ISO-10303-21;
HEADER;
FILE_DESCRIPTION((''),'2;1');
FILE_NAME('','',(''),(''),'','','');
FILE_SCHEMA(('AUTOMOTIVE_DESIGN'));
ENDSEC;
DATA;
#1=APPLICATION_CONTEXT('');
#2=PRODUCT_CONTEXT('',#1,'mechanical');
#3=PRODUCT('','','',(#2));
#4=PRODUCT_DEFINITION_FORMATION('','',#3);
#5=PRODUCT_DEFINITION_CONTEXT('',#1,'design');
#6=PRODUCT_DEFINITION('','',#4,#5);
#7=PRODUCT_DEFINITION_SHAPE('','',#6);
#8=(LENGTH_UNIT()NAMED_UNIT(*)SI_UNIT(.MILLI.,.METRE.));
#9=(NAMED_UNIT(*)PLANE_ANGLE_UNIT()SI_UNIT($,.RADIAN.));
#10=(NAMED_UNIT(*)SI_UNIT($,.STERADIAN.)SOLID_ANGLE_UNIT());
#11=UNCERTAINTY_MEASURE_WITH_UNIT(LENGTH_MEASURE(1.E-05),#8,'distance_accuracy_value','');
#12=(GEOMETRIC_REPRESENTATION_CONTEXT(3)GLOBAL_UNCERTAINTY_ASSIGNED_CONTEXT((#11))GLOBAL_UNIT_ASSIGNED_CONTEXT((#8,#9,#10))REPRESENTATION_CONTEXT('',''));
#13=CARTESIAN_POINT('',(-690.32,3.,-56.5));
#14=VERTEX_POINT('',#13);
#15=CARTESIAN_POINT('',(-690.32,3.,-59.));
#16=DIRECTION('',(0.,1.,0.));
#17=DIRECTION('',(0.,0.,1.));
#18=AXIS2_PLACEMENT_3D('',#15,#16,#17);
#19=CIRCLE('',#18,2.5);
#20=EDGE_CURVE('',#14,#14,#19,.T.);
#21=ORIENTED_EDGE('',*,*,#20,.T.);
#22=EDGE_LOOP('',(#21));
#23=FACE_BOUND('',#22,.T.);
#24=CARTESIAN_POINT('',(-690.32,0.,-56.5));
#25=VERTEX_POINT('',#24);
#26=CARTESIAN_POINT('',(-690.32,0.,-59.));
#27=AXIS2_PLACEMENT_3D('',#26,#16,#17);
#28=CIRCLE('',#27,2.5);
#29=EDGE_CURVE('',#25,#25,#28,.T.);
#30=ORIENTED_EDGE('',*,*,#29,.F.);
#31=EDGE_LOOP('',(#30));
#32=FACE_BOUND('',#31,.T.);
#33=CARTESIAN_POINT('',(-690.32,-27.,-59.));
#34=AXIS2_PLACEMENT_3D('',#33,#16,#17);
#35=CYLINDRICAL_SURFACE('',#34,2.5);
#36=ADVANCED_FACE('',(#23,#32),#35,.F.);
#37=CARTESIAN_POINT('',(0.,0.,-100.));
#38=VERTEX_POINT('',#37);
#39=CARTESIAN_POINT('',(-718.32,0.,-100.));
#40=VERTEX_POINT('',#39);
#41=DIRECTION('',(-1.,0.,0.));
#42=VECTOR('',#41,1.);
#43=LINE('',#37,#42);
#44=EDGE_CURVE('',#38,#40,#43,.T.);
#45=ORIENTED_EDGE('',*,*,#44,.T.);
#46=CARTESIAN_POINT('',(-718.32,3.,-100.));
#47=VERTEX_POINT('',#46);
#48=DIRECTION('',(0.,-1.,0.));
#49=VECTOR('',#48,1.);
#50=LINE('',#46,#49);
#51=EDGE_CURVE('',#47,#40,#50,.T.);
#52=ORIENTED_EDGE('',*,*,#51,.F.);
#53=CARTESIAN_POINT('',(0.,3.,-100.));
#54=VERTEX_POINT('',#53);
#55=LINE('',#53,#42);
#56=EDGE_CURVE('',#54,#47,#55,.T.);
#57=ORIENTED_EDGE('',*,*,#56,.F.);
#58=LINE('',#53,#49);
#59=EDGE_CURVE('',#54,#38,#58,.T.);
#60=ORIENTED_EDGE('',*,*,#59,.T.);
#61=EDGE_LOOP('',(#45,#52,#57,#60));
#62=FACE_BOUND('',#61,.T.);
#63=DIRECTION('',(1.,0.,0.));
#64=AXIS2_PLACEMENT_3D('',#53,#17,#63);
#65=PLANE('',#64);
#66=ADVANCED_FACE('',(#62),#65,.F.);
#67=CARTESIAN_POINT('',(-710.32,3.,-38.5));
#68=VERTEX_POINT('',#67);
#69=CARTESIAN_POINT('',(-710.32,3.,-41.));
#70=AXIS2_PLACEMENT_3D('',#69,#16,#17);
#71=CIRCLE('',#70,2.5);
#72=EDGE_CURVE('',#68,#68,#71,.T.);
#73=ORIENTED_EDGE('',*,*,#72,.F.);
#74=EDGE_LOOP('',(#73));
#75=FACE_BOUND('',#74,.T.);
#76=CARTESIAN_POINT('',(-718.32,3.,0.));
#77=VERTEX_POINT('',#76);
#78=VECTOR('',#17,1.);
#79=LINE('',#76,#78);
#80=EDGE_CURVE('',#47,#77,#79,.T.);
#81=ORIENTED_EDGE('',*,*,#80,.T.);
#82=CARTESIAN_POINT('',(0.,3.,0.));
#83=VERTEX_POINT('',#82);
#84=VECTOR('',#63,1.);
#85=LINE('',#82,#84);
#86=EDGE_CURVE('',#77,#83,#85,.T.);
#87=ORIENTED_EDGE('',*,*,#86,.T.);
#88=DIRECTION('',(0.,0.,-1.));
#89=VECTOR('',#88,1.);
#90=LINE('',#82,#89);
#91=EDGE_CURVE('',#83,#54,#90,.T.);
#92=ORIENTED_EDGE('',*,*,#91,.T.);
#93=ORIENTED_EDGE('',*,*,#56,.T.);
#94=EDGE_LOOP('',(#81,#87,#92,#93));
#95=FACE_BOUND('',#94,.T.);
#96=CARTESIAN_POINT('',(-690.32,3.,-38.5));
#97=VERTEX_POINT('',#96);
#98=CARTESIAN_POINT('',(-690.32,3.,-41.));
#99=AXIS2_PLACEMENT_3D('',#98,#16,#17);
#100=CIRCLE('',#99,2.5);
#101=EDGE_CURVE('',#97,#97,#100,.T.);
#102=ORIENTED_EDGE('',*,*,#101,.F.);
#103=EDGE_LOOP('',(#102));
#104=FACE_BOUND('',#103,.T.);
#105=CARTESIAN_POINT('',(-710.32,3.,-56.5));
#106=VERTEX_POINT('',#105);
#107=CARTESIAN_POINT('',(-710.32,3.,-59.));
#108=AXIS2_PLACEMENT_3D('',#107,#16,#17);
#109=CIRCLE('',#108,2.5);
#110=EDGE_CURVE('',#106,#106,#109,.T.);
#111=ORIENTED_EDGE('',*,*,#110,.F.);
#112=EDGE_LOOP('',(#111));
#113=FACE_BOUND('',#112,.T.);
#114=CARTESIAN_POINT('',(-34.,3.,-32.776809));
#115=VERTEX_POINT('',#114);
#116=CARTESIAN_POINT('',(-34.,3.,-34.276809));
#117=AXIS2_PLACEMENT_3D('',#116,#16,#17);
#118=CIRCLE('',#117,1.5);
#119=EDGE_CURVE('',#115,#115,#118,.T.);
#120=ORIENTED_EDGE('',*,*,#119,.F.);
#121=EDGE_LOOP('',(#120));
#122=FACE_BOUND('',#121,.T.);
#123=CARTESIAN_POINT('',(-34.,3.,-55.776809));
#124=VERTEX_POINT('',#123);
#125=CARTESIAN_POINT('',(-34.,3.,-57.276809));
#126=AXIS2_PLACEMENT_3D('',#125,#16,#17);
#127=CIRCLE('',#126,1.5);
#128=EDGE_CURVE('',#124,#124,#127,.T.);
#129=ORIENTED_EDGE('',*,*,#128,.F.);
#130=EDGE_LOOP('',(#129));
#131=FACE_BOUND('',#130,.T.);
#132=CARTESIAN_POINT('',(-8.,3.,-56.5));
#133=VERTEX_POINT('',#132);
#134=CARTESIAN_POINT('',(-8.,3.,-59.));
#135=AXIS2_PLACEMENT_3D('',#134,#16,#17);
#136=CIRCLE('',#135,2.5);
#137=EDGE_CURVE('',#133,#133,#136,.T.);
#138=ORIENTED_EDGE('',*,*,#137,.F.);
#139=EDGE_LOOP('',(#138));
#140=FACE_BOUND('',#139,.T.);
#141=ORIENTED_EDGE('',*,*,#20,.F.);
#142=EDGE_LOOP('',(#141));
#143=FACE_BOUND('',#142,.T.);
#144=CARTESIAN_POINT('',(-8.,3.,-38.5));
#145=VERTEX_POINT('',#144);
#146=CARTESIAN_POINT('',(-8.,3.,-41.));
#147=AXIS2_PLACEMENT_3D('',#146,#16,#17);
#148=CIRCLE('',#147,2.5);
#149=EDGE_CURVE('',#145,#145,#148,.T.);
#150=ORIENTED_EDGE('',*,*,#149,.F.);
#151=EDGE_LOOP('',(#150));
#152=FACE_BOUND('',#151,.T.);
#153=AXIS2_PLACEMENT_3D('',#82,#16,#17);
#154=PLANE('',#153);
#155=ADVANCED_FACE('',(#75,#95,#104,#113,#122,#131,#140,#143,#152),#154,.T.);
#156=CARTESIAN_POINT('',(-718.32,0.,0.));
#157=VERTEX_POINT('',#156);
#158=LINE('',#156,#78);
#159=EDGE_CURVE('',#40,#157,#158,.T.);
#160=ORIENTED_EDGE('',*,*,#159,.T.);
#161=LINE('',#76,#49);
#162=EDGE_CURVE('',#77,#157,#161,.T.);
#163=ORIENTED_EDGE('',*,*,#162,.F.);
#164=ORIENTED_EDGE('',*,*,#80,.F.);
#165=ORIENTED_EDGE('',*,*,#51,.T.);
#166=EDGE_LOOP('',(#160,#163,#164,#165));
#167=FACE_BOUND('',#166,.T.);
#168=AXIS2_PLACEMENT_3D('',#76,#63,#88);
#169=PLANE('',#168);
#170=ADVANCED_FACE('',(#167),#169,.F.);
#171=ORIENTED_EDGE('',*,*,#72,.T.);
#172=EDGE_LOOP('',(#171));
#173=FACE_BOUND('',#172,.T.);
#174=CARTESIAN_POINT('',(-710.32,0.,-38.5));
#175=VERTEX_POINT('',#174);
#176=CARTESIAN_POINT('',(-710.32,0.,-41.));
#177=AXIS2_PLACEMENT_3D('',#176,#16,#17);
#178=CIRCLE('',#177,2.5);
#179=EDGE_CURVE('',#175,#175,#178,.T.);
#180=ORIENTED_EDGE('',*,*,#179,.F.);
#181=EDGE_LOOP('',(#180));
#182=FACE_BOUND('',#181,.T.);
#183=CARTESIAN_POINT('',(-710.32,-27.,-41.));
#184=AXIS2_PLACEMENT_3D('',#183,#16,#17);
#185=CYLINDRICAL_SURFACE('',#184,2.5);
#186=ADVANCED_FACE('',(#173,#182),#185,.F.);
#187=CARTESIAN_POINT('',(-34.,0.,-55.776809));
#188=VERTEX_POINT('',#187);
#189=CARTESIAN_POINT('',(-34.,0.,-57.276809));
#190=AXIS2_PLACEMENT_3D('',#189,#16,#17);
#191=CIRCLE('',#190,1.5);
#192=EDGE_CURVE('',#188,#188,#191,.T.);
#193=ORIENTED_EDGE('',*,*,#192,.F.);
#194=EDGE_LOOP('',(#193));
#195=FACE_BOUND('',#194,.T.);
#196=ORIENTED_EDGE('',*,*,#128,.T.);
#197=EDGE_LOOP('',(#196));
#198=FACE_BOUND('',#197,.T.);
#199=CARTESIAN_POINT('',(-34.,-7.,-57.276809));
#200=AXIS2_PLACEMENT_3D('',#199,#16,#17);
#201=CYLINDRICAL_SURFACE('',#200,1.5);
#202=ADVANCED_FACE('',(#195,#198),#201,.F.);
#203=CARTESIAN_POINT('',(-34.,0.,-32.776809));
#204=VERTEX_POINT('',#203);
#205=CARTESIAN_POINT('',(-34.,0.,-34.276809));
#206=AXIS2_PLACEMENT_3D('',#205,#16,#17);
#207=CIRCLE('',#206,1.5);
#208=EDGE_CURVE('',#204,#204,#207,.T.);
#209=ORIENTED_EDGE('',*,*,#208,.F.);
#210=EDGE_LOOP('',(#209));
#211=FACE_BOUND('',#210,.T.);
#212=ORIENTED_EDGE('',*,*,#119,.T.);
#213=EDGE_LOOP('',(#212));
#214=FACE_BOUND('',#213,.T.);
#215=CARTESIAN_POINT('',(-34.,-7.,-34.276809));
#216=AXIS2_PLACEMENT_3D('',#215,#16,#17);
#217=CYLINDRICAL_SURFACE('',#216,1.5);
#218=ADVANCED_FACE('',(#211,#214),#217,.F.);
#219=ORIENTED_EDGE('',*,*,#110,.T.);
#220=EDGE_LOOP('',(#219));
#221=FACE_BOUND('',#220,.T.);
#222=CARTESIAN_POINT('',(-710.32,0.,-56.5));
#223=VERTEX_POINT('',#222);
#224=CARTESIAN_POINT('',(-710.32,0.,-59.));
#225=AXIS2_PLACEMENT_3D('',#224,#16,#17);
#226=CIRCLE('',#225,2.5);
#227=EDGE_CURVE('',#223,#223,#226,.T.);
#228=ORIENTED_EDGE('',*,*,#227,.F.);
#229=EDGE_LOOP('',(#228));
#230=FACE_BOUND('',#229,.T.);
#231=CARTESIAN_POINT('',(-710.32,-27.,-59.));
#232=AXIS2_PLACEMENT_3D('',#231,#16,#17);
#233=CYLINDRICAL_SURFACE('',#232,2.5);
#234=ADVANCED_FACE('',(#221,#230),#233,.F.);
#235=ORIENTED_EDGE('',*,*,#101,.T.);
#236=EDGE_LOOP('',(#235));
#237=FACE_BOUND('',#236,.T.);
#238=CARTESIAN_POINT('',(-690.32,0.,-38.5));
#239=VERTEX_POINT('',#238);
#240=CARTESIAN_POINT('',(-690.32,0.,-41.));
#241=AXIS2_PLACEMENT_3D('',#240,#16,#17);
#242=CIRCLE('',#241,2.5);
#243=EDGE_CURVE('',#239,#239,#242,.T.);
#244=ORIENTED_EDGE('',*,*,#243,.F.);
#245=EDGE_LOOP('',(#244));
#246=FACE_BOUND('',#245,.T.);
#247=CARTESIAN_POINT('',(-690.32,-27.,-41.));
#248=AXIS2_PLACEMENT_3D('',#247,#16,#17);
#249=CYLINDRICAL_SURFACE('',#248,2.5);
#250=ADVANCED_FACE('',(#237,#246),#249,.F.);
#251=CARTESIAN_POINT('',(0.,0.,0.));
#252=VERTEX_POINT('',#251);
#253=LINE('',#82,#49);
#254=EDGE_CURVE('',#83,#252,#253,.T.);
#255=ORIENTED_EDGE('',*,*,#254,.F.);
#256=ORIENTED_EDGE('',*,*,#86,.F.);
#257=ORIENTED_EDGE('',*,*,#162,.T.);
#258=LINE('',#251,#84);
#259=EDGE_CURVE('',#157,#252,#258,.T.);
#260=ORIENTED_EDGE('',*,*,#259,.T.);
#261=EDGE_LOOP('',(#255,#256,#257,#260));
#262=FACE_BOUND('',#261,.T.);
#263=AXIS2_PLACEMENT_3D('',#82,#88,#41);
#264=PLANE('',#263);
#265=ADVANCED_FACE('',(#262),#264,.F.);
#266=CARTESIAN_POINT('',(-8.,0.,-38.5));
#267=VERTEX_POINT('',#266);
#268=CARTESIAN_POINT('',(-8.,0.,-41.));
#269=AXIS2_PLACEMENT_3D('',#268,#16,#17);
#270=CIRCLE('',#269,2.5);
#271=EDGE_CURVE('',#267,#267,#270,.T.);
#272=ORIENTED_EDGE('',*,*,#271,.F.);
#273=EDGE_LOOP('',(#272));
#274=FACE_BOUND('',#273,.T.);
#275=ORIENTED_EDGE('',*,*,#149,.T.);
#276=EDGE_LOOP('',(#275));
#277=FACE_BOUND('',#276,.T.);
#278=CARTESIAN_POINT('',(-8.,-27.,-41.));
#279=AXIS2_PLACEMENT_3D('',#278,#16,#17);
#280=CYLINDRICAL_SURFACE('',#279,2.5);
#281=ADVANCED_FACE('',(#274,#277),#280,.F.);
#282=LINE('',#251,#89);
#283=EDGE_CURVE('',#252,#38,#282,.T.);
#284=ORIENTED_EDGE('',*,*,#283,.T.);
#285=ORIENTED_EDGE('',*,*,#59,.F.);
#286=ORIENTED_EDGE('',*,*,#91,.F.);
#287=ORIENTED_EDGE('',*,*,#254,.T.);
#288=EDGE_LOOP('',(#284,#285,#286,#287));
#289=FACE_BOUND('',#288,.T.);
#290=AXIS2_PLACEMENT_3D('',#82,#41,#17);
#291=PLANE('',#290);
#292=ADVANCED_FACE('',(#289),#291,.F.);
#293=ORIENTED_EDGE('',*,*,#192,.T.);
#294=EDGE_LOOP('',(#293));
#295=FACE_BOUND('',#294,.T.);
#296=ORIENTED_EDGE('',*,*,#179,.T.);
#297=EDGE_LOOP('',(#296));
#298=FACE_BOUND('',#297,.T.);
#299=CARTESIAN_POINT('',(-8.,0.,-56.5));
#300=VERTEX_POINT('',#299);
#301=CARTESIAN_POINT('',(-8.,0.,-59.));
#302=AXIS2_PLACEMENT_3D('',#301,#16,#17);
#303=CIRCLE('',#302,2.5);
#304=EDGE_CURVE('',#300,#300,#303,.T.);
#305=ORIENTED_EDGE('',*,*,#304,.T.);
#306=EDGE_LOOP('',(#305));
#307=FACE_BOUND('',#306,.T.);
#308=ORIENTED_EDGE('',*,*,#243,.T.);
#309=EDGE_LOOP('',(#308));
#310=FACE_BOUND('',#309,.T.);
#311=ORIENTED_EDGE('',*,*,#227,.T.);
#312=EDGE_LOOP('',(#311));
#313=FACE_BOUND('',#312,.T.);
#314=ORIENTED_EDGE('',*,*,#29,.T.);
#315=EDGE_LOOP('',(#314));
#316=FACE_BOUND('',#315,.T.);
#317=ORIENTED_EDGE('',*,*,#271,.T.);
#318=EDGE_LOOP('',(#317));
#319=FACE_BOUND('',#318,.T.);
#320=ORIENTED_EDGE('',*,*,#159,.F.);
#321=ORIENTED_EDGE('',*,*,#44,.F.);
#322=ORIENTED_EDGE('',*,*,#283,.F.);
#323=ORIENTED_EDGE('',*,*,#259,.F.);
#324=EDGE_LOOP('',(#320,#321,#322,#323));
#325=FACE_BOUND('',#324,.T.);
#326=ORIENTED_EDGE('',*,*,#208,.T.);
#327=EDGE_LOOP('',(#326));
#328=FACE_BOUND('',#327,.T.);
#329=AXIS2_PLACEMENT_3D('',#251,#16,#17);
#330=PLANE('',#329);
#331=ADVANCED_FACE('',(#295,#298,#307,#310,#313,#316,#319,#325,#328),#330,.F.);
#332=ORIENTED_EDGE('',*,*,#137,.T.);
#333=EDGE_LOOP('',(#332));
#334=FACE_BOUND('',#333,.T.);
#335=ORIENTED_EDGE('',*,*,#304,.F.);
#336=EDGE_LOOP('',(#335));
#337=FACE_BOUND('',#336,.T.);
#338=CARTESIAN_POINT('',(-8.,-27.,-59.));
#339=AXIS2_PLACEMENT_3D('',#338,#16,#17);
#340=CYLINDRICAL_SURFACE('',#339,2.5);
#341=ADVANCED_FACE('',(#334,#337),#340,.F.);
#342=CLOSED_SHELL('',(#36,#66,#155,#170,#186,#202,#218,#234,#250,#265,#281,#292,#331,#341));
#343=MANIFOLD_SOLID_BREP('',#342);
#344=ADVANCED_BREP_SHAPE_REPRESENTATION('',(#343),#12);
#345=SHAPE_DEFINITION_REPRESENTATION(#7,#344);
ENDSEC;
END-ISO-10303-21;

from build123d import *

# Parameters (mm, degrees)
SKETCH1_W           = 718.32
SKETCH1_H           = 100
BOSS_EXTRUDE1_DEPTH = 3
SKETCH2_R           = 2.5
CUT_EXTRUDE1_DEPTH  = 30
SKETCH3_R           = 2.5
CUT_EXTRUDE2_DEPTH  = 30
SKETCH4_R           = 1.5
CUT_EXTRUDE3_DEPTH  = 10


with BuildPart() as part:
    # Sketch1 → Boss-Extrude1 (new body)
    with BuildSketch(Plane(origin=(0, 0, 0), x_dir=(1, 0, 0), z_dir=(0, 1, 0))):
        with Locations((-359.16, 50)):
            Rectangle(SKETCH1_W, SKETCH1_H)
    extrude(amount=BOSS_EXTRUDE1_DEPTH)

    # Sketch2 → Cut-Extrude1 (cut)
    with BuildSketch(Plane(origin=(0, 3, 0), x_dir=(1, 0, 0), z_dir=(0, 1, 0))):
        with Locations(Location((-710.32, 59, 0), (0, 0, 270))):
            Circle(SKETCH2_R)
        with Locations(Location((-8, 59, 0), (0, 0, 270))):
            Circle(SKETCH2_R)
        with Locations(Location((-8, 41, 0), (0, 0, 270))):
            Circle(SKETCH2_R)
        with Locations(Location((-710.32, 41, 0), (0, 0, 270))):
            Circle(SKETCH2_R)
    extrude(amount=-CUT_EXTRUDE1_DEPTH, mode=Mode.SUBTRACT)

    # Sketch3 → Cut-Extrude2 (cut)
    with BuildSketch(Plane(origin=(0, 3, 0), x_dir=(1, 0, 0), z_dir=(0, 1, 0))):
        with Locations(Location((-690.32, 59, 0), (0, 0, 270))):
            Circle(SKETCH3_R)
        with Locations(Location((-690.32, 41, 0), (0, 0, 270))):
            Circle(SKETCH3_R)
    extrude(amount=-CUT_EXTRUDE2_DEPTH, mode=Mode.SUBTRACT)

    # Sketch4 → Cut-Extrude3 (cut)
    with BuildSketch(Plane(origin=(0, 3, 0), x_dir=(1, 0, 0), z_dir=(0, 1, 0))):
        with Locations(Location((-34, 57.27680918, 0), (0, 0, 270))):
            Circle(SKETCH4_R)
        with Locations(Location((-34, 34.27680918, 0), (0, 0, 270))):
            Circle(SKETCH4_R)
    extrude(amount=-CUT_EXTRUDE3_DEPTH, mode=Mode.SUBTRACT)


solid = part.part
